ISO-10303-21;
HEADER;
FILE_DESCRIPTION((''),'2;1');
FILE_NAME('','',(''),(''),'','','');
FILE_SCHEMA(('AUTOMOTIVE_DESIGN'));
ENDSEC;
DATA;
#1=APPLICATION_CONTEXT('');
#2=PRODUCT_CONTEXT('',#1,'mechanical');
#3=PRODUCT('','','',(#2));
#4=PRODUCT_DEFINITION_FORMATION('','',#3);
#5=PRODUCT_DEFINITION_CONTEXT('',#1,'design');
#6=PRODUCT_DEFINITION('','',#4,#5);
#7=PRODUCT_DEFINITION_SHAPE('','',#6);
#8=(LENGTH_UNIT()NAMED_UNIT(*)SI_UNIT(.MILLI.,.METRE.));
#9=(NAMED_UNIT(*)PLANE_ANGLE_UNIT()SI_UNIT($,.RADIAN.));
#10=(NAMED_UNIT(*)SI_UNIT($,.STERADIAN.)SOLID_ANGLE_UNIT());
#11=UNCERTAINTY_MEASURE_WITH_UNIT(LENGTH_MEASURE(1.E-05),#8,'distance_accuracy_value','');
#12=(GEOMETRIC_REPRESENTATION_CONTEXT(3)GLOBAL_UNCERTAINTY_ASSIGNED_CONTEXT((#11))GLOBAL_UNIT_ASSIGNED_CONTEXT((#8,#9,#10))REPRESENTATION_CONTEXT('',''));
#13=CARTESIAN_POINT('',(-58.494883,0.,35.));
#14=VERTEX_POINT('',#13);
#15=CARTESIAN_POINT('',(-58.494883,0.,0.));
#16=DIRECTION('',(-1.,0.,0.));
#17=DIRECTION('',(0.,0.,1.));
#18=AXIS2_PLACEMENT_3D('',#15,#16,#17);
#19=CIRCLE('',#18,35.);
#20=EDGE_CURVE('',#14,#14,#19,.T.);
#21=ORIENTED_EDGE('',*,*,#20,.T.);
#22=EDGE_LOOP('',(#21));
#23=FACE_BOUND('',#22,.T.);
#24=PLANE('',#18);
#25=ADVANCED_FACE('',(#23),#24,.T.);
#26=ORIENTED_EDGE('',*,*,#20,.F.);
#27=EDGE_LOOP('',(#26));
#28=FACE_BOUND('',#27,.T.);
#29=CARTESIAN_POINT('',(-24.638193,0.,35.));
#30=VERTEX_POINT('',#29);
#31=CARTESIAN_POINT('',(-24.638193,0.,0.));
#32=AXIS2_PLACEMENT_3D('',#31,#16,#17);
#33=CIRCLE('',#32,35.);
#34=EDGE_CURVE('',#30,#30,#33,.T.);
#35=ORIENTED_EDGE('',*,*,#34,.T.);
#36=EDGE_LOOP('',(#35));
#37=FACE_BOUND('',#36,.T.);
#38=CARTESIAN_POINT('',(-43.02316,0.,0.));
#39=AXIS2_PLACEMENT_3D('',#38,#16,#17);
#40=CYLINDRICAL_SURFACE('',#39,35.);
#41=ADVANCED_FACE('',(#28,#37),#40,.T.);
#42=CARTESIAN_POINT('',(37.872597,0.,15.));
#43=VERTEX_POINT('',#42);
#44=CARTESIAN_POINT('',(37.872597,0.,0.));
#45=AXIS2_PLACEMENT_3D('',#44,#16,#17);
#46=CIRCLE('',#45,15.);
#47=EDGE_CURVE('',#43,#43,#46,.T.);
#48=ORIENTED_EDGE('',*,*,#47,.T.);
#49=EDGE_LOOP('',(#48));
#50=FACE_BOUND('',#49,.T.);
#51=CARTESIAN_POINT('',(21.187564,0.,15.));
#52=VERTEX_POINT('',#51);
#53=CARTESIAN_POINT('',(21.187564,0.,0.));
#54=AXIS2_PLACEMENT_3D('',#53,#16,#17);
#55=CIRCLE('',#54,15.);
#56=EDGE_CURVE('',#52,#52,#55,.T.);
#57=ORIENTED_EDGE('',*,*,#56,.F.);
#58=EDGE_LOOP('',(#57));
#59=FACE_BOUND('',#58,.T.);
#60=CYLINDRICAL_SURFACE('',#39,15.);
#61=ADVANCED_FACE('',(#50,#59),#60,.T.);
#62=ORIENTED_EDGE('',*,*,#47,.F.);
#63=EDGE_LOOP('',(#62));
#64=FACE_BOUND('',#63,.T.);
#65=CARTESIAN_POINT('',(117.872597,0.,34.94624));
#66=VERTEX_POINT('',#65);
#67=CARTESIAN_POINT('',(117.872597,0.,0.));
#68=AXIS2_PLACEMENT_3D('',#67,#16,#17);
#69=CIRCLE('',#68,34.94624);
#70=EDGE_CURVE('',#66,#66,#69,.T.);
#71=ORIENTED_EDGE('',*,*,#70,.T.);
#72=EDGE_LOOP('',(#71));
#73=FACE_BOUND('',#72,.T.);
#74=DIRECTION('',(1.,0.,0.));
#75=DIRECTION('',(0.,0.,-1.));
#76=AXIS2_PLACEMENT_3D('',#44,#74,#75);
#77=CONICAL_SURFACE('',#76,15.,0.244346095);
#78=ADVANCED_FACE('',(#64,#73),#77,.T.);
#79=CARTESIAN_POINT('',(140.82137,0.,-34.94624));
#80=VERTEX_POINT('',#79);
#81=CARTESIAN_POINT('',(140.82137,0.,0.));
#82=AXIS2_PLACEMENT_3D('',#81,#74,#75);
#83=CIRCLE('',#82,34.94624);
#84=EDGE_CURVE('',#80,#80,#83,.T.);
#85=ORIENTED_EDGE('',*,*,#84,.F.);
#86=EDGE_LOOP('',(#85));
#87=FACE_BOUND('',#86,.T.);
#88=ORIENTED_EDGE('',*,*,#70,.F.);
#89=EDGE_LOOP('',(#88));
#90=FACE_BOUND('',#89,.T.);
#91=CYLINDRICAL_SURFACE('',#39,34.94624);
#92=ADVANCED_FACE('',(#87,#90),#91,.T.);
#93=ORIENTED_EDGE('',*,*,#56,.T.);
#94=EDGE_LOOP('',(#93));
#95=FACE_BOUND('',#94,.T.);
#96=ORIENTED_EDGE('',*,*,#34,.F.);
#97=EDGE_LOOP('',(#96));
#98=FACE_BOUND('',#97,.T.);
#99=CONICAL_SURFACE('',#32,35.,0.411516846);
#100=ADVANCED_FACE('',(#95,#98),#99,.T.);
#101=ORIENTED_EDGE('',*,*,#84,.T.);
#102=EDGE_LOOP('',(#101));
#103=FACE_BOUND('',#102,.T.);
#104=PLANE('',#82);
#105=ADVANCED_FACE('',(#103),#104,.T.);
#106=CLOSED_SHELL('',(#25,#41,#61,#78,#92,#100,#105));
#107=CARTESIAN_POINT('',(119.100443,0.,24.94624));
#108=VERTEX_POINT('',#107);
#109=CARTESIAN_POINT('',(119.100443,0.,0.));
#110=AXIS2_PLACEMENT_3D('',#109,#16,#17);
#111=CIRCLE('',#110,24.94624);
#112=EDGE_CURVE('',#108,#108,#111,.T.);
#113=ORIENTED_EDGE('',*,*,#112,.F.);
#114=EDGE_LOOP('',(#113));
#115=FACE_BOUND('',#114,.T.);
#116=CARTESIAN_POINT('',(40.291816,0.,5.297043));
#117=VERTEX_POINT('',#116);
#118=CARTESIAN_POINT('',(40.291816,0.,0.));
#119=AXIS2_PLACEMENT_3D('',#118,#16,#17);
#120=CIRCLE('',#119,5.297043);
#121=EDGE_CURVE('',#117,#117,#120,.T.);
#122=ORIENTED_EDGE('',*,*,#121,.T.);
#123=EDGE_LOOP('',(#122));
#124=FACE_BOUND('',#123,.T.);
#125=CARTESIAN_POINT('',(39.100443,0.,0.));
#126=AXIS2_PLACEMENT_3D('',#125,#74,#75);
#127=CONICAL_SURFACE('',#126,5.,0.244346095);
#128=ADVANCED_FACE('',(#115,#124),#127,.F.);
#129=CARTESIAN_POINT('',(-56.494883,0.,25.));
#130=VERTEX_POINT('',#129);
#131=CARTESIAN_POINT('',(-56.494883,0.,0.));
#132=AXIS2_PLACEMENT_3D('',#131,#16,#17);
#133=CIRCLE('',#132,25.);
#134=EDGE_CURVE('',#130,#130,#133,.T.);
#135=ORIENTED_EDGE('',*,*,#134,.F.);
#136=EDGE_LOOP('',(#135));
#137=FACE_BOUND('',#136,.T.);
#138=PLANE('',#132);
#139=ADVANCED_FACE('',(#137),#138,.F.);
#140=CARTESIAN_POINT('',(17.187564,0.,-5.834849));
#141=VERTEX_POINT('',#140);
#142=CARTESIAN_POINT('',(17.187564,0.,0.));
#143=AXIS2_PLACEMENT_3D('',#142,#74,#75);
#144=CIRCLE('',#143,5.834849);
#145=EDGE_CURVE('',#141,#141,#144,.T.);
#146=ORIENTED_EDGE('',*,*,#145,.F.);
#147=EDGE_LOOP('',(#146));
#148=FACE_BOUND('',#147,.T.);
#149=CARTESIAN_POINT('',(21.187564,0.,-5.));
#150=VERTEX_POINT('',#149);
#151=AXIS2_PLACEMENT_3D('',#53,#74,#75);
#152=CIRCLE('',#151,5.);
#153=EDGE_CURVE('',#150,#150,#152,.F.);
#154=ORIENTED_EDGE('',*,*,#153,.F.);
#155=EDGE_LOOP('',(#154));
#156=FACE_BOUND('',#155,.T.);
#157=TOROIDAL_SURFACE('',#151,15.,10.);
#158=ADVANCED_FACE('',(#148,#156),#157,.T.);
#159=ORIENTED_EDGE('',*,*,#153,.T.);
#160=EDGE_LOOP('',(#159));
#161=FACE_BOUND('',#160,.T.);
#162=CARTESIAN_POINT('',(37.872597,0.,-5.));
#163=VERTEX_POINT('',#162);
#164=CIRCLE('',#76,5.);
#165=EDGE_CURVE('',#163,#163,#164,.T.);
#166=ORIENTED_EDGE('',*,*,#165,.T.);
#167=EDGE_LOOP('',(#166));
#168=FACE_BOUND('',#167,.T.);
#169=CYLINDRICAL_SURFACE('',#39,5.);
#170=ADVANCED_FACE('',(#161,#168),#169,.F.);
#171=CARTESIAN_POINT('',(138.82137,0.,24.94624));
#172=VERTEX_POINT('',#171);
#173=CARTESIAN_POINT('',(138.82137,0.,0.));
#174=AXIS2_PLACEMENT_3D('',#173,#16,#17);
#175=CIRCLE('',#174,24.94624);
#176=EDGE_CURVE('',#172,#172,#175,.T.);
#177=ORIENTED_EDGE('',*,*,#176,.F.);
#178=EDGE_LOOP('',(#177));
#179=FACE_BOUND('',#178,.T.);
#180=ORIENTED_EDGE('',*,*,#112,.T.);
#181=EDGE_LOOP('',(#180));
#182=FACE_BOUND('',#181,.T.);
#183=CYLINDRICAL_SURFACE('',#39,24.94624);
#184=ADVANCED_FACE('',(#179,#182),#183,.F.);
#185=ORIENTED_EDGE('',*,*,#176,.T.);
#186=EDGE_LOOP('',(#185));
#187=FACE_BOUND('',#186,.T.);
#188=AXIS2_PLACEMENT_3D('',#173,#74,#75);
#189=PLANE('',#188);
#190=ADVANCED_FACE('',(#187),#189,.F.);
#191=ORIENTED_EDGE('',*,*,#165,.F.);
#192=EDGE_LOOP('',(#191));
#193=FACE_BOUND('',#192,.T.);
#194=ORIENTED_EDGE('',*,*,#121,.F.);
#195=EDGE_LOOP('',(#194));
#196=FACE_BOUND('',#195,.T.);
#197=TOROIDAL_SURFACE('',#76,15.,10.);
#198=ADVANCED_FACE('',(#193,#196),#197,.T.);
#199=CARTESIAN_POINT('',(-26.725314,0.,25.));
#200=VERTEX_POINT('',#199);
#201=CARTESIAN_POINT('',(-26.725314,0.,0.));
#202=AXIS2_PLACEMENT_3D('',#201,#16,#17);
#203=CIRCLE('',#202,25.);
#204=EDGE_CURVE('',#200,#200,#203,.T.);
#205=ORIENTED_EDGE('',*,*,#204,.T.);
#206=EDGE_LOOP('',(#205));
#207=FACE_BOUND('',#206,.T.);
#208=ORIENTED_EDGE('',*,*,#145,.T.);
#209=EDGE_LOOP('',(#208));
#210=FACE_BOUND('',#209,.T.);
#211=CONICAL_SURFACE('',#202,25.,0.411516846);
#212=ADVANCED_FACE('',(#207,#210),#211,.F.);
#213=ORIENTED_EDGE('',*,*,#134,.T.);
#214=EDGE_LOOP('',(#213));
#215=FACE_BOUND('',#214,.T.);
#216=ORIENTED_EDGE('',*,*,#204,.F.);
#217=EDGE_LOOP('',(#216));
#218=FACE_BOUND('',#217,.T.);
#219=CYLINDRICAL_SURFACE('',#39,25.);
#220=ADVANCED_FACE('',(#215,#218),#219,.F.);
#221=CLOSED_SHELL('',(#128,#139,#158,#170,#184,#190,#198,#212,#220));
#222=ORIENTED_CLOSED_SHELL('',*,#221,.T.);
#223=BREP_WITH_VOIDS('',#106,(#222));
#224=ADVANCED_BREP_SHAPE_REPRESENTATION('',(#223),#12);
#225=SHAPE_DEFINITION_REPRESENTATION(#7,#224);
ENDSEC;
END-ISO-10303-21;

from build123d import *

# Parameters (mm, degrees)
FILLET1_R           = 10
SKETCH2_R           = 35
BOSS_EXTRUDE1_DEPTH = 2
SKETCH3_R           = 34.94624
BOSS_EXTRUDE2_DEPTH = 2


with BuildPart() as part:
    # Sketch1 → Revolve-Thin1 (revolve)
    with BuildSketch(Plane.XY):
        Polygon((-56.494883, 25), (-26.725314, 25), (19.100443, 5), (39.100443, 5), (119.100443, 24.94624), (138.82137, 24.94624), (138.82137, 34.94624), (117.872597, 34.94624), (37.872597, 15), (21.187564, 15), (-24.638193, 35), (-56.494883, 35), align=None)
    revolve(axis=Axis((-43.02316, 0, 0), (1, 0, 0)))

    # Fillet1
    fillet1_edges = [part.edges().sort_by_distance(p)[0] for p in [
        (19.100443, -5, 0),
        (39.100443, -5, 0),
    ]]
    fillet(fillet1_edges, radius=FILLET1_R)

    # Sketch2 → Boss-Extrude1 (add)
    with BuildSketch(Plane.ZY.offset(56.494883)):
        Circle(SKETCH2_R)
    extrude(amount=BOSS_EXTRUDE1_DEPTH)

    # Sketch3 → Boss-Extrude2 (add)
    with BuildSketch(Plane(origin=(138.82137, 0, 0), x_dir=(0, 0, -1), z_dir=(1, 0, 0))):
        Circle(SKETCH3_R)
    extrude(amount=BOSS_EXTRUDE2_DEPTH)


solid = part.part
